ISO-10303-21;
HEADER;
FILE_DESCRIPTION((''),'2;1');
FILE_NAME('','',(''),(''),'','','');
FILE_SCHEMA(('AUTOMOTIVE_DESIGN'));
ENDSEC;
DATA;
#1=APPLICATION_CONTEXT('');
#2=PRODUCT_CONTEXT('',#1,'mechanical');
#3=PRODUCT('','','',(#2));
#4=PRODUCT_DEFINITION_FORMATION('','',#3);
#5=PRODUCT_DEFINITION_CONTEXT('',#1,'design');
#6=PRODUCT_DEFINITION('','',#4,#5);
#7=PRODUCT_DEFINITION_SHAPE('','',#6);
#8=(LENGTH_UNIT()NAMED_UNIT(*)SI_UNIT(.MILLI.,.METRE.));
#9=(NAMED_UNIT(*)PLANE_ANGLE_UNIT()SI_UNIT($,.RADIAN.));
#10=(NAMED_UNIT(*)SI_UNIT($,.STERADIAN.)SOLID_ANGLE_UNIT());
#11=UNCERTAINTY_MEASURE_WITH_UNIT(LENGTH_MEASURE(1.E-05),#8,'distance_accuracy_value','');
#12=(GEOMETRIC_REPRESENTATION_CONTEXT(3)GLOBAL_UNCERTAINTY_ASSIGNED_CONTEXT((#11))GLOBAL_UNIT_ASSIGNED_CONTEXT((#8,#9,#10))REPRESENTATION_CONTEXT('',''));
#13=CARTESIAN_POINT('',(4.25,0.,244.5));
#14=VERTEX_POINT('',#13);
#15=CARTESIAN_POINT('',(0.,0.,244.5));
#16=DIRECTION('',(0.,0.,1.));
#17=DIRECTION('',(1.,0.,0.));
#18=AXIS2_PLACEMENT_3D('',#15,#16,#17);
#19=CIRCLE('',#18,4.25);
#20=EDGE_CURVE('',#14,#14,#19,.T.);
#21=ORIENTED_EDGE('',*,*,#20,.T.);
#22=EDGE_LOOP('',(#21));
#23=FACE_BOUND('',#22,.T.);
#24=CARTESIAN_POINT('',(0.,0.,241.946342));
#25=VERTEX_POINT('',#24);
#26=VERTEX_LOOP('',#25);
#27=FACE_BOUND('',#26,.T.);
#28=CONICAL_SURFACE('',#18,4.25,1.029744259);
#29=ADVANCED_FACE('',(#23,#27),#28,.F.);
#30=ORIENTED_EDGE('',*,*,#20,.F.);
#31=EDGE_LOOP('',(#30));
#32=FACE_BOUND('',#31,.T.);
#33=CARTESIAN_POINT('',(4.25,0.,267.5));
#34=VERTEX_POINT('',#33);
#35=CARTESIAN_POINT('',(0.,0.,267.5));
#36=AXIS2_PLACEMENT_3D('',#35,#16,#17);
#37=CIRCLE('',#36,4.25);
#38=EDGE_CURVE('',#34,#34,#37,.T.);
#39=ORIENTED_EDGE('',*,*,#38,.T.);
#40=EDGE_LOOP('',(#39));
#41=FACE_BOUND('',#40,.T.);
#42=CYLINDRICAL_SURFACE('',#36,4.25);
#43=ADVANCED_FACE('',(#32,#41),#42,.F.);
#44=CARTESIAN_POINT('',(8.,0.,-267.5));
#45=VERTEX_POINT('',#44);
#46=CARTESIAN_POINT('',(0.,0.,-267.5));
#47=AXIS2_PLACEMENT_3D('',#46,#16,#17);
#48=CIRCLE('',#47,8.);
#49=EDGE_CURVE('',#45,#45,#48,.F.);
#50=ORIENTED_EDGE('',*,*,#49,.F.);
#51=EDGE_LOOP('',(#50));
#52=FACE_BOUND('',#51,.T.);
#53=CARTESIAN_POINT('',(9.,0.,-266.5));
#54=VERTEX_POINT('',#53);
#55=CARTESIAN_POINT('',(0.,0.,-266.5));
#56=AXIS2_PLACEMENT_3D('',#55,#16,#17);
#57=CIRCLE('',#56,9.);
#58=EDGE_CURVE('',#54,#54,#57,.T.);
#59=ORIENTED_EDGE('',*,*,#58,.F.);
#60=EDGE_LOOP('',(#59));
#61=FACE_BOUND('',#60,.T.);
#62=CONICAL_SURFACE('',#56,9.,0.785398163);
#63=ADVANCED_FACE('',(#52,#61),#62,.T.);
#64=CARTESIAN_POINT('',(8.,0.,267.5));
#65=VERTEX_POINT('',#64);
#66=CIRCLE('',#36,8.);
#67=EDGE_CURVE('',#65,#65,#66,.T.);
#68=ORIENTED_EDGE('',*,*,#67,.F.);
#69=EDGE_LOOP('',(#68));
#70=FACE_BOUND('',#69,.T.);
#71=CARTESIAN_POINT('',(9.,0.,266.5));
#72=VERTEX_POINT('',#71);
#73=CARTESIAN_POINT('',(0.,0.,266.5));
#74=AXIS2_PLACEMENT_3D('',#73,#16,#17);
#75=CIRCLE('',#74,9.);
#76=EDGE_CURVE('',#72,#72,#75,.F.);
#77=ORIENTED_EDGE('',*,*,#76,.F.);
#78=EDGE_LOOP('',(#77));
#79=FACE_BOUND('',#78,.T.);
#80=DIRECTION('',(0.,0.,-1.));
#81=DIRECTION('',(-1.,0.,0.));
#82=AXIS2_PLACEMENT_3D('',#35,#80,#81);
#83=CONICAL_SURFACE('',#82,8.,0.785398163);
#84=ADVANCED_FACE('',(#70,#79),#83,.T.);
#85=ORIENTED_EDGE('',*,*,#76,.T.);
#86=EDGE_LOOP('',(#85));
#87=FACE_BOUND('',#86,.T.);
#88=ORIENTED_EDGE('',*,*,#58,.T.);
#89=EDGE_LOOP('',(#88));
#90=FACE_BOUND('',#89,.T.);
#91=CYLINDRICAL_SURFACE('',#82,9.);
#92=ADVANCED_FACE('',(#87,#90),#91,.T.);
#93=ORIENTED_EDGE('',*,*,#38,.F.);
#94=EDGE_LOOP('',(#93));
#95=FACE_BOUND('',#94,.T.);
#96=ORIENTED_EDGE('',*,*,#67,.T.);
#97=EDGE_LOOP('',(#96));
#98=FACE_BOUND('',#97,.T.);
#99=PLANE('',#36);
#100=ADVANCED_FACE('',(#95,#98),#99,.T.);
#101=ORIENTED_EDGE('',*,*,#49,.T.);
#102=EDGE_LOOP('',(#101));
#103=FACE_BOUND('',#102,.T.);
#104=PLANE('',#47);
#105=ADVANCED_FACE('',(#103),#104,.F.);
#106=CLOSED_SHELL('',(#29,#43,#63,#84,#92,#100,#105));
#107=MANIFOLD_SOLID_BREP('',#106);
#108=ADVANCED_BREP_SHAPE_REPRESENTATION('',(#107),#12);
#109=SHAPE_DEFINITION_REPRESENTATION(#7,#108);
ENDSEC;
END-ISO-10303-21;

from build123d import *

# Parameters (mm, degrees)
SKIZZE1_R                    = 9
BASIS_LINEAR_AUSTRAGEN_DEPTH = 267.5
FASE1_SIZE                   = 1
BOHRUNG1_D                   = 8.5
BOHRUNG1_DEPTH               = 23
BOHRUNG1_TIP                 = 2.553657631


with BuildPart() as part:
    # Skizze1 → Basis-Linear austragen (new, symmetric)
    with BuildSketch(Plane.XY):
        Circle(SKIZZE1_R)
    extrude(amount=BASIS_LINEAR_AUSTRAGEN_DEPTH, both=True)

    # Fase1
    fase1_edges = [part.edges().sort_by_distance(p)[0] for p in [
        (-9, 0, -267.5),
        (-9, 0, 267.5),
    ]]
    chamfer(fase1_edges, length=FASE1_SIZE)

    # Bohrung1
    with Locations(Plane.XY.offset(267.5)):
        with Locations((0, 0)):
            Hole(BOHRUNG1_D / 2, depth=BOHRUNG1_DEPTH)
            with Locations((0, 0, -(BOHRUNG1_DEPTH + BOHRUNG1_TIP / 2))):  # 118° drill point
                Cone(0, BOHRUNG1_D / 2, BOHRUNG1_TIP, mode=Mode.SUBTRACT)


solid = part.part
